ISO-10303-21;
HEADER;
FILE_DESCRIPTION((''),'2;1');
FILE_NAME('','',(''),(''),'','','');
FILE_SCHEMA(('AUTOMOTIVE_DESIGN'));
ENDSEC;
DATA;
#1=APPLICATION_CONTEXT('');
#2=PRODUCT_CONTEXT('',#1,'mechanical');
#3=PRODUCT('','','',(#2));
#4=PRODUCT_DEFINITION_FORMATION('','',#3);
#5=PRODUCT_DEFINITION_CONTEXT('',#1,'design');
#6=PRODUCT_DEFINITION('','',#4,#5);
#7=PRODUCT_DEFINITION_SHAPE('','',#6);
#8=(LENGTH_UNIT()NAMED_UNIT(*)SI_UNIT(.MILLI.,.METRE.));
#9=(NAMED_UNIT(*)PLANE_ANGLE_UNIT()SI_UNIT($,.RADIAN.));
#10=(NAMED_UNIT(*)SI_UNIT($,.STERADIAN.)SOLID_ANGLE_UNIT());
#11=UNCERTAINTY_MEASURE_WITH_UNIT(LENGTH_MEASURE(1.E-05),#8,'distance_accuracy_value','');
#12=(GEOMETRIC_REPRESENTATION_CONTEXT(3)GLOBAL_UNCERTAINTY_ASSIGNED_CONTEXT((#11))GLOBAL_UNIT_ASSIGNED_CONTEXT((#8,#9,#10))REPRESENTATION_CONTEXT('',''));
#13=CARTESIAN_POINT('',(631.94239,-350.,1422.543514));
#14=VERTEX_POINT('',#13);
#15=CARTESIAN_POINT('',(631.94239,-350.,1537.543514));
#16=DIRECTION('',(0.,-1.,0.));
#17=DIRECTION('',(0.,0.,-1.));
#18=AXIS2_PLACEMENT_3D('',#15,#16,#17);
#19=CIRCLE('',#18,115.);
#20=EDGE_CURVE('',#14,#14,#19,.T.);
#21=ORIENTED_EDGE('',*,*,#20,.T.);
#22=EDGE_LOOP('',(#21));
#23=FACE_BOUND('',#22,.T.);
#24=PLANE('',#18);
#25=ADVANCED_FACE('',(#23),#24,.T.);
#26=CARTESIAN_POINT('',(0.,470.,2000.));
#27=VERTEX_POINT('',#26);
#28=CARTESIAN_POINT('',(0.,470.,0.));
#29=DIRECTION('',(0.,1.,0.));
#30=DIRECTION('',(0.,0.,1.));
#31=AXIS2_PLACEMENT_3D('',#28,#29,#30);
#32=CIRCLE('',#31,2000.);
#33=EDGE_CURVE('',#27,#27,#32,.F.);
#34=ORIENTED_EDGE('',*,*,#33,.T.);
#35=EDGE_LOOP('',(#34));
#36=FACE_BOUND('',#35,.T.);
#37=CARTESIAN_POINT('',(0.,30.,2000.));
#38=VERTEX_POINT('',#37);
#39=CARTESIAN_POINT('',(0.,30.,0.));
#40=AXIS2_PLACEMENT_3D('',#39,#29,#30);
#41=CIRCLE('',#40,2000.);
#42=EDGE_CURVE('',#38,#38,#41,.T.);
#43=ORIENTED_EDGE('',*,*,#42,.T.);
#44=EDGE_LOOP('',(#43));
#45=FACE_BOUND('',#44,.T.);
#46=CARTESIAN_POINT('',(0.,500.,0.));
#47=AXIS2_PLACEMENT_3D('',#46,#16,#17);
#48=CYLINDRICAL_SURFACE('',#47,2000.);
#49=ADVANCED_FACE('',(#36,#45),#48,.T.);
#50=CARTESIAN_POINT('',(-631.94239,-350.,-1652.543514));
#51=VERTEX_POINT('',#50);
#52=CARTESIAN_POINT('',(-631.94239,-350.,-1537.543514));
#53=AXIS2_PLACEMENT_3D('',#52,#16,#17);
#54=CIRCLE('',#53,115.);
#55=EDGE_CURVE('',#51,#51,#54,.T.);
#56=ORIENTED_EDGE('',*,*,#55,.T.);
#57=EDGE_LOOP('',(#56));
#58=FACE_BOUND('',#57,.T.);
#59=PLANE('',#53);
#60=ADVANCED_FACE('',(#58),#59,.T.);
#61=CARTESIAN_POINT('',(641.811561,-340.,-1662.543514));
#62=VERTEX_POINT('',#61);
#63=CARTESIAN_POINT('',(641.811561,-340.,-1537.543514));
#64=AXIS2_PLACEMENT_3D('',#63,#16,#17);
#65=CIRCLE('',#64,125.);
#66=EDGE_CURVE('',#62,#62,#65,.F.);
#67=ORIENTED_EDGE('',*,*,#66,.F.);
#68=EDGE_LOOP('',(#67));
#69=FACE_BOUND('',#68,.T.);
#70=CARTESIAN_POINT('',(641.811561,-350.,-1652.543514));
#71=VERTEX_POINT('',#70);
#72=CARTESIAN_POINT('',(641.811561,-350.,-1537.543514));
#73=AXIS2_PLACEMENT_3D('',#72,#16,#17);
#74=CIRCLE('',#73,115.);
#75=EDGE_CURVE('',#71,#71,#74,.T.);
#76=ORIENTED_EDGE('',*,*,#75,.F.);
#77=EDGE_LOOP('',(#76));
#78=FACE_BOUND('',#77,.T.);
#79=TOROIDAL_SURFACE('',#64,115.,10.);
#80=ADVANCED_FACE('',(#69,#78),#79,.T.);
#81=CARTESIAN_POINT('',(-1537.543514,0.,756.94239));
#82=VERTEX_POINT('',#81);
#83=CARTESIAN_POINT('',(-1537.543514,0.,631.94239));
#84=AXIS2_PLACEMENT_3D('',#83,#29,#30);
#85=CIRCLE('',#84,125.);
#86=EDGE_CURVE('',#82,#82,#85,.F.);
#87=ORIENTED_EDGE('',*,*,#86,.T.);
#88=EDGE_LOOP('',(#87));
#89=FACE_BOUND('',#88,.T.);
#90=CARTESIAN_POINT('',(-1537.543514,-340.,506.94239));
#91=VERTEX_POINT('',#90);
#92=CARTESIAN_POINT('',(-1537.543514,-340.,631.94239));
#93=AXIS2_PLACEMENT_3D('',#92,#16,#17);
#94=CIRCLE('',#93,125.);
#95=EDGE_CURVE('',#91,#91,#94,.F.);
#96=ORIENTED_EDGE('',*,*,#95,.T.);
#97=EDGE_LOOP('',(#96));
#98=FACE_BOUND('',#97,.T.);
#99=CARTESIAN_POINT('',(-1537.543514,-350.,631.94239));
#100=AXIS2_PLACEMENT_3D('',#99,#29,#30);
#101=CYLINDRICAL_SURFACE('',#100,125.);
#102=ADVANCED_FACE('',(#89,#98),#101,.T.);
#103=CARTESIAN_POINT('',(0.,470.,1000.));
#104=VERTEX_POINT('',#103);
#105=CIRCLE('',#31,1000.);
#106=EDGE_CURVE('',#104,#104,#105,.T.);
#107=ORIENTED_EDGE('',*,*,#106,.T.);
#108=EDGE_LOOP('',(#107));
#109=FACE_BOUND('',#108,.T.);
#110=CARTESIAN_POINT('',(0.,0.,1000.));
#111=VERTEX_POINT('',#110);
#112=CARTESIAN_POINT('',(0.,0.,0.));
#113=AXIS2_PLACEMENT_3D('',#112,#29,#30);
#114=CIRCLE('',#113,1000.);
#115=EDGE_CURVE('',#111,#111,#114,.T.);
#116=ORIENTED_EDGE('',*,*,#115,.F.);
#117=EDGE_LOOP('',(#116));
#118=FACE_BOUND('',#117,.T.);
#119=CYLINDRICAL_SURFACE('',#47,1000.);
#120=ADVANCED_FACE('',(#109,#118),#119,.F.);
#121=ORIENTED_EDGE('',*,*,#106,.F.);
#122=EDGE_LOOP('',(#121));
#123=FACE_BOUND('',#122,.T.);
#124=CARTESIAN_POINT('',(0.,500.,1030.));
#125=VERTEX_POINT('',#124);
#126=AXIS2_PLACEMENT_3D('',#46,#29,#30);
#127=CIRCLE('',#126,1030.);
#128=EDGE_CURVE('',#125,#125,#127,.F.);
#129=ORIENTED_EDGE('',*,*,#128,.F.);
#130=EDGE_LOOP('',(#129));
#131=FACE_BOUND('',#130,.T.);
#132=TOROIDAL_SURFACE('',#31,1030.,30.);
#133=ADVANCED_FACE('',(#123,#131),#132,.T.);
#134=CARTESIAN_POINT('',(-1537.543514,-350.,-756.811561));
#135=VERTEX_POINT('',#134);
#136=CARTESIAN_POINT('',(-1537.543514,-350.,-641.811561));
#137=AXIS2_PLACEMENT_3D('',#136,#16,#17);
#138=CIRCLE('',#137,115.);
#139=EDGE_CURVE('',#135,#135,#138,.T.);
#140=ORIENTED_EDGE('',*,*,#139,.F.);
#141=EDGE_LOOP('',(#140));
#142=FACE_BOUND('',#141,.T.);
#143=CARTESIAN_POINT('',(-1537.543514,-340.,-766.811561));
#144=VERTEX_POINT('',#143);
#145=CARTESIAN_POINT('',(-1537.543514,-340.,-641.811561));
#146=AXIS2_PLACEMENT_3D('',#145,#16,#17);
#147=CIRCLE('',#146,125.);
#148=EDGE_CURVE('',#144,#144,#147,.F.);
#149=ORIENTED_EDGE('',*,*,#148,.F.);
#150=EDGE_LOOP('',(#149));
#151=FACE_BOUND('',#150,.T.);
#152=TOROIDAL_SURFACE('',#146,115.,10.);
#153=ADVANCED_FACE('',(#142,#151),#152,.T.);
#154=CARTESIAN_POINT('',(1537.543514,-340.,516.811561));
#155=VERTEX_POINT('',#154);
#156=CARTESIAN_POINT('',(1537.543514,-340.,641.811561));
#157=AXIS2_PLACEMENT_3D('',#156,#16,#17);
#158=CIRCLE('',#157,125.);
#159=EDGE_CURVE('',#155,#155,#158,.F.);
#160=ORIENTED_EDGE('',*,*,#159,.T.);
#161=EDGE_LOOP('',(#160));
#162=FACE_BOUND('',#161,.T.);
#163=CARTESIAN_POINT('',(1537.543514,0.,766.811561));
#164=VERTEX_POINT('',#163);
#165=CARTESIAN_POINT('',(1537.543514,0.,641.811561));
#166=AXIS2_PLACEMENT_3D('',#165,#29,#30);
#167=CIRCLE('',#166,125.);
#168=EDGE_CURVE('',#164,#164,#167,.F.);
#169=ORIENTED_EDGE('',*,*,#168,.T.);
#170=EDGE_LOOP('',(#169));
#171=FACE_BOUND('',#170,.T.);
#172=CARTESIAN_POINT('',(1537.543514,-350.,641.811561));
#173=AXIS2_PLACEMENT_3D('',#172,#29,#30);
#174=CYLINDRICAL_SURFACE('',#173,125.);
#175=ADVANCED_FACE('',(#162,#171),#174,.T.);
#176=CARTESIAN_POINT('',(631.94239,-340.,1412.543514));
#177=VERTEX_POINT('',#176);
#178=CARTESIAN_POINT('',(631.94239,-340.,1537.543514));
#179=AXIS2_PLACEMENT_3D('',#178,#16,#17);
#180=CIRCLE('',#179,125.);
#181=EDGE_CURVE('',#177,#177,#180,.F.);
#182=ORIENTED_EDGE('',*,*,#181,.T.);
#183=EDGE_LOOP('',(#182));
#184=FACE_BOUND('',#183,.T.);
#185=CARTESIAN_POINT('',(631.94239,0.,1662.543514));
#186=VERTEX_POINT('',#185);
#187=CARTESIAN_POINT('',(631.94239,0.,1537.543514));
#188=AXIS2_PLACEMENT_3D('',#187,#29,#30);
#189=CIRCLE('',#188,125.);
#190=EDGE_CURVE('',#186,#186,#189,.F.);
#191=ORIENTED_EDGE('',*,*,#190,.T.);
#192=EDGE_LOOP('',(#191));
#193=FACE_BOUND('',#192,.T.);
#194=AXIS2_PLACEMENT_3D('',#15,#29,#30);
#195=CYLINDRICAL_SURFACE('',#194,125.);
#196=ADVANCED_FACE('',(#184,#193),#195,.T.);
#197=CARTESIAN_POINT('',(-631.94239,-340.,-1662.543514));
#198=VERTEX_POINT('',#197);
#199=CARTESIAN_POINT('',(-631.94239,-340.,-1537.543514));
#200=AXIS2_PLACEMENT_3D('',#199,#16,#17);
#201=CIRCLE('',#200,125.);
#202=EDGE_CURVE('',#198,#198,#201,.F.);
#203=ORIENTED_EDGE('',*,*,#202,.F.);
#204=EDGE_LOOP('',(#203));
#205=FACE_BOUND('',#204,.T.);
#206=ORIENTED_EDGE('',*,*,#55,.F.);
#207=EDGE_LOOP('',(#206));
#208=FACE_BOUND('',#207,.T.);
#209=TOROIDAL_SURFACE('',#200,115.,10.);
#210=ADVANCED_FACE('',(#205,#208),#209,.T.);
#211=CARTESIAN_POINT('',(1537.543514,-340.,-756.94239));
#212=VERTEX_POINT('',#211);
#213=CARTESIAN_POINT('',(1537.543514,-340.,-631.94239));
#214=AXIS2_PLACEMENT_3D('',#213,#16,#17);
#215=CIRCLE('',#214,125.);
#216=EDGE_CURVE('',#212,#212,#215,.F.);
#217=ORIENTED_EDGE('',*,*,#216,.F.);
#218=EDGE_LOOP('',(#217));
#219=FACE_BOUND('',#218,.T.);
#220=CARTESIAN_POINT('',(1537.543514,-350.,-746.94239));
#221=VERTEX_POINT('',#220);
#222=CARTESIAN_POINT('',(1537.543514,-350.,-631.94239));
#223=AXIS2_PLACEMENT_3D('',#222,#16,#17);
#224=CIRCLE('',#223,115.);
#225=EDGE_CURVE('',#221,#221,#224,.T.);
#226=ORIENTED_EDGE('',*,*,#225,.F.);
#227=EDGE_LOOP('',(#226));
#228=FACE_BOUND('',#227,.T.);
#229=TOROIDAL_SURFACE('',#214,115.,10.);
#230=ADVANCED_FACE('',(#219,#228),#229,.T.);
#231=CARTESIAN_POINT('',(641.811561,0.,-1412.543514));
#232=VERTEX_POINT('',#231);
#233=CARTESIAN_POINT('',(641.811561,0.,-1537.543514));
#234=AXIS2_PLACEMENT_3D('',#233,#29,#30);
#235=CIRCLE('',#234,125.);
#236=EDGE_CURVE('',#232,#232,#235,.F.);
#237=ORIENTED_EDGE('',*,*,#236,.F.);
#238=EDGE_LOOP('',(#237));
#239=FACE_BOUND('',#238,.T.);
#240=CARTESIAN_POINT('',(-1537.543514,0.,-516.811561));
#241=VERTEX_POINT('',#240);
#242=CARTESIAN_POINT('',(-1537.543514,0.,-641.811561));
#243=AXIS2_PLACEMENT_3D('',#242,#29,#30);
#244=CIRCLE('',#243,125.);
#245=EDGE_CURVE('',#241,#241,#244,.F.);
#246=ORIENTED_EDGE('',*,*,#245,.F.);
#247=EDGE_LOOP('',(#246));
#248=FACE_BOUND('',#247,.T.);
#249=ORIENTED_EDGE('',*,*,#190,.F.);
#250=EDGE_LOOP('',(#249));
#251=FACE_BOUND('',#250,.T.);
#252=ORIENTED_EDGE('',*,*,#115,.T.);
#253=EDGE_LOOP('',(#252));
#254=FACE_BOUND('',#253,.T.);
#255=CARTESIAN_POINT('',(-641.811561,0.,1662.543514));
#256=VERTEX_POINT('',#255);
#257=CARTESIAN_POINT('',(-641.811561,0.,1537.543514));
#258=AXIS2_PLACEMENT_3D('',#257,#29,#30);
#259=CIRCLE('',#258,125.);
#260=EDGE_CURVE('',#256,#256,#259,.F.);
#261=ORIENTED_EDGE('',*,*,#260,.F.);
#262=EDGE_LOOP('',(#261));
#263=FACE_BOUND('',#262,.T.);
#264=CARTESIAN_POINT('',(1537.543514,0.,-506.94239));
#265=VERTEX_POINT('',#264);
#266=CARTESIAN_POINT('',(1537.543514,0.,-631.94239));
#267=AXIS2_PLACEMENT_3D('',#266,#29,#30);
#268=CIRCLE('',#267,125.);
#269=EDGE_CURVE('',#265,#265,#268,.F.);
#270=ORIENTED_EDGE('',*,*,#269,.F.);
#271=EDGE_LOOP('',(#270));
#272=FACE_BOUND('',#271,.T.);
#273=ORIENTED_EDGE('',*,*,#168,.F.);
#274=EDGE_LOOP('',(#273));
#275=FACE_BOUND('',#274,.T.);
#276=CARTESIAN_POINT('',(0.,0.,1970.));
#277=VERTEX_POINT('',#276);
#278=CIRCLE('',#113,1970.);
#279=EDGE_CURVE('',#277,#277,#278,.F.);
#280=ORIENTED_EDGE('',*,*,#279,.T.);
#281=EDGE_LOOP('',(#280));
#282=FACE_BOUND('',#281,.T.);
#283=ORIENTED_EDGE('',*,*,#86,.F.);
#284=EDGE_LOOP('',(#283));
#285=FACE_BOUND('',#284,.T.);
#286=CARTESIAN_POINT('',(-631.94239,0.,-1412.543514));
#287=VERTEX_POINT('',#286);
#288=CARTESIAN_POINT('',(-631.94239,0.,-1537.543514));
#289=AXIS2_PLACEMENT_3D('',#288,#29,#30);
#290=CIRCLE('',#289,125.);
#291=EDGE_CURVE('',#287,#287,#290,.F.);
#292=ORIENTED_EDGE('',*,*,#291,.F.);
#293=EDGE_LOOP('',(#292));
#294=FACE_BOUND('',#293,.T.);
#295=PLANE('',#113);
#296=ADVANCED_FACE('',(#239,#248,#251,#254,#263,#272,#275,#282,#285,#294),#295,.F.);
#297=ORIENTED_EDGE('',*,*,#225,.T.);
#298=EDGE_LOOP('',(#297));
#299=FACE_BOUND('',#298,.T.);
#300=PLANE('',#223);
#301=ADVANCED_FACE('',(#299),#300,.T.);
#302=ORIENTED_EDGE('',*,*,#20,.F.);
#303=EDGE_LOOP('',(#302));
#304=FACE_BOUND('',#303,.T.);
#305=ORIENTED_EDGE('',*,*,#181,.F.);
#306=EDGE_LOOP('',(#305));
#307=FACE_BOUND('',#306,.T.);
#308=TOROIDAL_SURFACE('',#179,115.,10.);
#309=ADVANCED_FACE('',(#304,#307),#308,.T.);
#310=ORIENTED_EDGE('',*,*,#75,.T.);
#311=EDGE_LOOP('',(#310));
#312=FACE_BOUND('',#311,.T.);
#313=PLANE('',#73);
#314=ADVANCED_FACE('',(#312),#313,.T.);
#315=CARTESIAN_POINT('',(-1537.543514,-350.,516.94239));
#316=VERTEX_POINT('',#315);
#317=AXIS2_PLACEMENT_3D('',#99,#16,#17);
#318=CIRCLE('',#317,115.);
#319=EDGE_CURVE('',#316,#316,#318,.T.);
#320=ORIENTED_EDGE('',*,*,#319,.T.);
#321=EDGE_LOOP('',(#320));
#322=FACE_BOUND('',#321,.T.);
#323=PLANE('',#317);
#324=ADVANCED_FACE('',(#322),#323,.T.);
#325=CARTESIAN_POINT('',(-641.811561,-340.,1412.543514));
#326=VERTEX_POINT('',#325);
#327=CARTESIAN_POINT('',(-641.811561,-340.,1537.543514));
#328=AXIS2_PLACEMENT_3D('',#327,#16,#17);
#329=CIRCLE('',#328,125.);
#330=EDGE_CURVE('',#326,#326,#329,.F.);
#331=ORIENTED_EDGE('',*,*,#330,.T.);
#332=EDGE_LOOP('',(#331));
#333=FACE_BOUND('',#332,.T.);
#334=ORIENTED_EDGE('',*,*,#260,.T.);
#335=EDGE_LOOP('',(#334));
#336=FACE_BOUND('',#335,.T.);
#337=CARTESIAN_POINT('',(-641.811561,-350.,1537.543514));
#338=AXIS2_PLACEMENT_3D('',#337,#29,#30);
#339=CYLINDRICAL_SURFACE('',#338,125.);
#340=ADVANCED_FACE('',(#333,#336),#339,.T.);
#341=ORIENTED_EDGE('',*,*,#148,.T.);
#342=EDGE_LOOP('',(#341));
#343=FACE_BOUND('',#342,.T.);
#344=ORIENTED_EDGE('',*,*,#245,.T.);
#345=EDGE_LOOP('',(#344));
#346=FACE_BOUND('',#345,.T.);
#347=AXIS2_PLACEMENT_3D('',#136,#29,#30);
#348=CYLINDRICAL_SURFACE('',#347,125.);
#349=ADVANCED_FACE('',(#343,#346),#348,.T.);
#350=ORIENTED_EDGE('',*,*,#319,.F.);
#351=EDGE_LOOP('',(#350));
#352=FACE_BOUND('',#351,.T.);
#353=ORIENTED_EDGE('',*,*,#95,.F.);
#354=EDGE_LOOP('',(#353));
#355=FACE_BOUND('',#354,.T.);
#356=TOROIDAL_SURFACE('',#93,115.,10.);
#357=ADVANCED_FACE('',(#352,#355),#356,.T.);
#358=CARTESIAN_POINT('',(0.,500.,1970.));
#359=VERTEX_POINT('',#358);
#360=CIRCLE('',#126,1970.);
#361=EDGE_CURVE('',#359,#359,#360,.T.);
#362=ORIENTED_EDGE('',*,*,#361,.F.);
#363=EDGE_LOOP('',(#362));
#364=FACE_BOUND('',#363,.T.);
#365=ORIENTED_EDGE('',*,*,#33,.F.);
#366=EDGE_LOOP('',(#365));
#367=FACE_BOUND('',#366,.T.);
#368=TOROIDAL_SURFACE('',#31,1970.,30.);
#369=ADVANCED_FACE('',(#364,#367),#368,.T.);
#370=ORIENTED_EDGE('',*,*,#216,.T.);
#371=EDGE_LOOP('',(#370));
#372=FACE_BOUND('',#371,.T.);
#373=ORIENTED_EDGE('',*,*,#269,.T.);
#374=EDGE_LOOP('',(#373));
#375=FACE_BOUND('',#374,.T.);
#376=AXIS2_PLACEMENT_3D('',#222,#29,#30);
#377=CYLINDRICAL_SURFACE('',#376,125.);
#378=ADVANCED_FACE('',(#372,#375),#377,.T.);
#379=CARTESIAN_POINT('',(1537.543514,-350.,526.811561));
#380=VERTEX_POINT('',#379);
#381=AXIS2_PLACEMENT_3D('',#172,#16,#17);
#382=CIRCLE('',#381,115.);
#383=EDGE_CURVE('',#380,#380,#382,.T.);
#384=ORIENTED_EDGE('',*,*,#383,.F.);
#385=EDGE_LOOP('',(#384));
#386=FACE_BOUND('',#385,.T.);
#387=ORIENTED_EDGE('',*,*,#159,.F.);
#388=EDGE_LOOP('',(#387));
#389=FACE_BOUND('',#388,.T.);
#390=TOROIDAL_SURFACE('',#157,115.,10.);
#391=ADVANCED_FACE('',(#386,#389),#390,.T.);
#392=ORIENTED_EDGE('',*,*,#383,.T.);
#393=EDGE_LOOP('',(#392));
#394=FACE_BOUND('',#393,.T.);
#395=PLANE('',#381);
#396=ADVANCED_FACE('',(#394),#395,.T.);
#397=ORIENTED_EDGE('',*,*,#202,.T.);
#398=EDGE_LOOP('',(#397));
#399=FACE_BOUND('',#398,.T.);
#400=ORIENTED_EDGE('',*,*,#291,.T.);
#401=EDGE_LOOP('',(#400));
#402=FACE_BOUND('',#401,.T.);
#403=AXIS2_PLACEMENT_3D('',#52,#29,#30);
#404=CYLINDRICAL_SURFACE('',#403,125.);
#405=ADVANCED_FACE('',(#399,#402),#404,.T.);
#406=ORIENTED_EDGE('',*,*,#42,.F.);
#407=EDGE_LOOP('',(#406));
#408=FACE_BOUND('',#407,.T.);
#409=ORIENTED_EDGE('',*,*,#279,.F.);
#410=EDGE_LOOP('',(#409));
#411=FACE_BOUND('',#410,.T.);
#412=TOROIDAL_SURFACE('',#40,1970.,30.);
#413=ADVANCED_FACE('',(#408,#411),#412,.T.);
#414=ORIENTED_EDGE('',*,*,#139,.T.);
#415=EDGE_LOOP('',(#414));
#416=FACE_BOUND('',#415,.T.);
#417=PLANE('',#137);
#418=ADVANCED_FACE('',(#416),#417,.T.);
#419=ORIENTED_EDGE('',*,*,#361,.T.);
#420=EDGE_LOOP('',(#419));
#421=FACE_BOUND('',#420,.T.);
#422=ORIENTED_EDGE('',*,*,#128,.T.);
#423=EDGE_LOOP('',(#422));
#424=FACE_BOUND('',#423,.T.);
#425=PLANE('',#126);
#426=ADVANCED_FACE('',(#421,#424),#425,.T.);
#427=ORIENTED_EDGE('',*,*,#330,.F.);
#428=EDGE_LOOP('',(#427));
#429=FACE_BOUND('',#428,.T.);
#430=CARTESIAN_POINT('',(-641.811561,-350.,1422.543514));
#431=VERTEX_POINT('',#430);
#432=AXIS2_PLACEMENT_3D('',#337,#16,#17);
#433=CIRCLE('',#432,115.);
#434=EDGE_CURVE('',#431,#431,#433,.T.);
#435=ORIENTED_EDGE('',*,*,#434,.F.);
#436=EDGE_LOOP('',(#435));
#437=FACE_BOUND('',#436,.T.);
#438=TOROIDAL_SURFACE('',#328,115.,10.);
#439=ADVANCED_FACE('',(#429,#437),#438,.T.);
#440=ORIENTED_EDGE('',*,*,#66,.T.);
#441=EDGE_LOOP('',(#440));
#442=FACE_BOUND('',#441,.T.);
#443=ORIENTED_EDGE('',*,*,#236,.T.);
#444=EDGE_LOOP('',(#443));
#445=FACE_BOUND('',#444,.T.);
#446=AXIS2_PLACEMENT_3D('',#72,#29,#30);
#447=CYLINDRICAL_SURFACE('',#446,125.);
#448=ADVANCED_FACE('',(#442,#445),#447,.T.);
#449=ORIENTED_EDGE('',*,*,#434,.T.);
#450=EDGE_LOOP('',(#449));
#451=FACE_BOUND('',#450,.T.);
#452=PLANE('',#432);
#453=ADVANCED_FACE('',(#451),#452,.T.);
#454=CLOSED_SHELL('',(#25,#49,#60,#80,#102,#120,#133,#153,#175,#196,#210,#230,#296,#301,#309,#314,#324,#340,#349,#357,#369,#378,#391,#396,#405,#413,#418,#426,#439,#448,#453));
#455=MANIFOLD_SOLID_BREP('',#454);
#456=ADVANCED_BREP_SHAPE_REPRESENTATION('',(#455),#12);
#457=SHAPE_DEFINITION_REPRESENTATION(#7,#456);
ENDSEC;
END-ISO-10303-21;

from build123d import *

# Parameters (mm, degrees)
SKETCH1_R           = 2000
SKETCH1_R_2         = 1000
SKETCH1_R_3         = 125
BOSS_EXTRUDE2_DEPTH = 500
SKETCH1_6_R         = 125
BOSS_EXTRUDE3_DEPTH = 500
SKETCH1_7_R         = 125
BOSS_EXTRUDE4_DEPTH = 500
SKETCH3_R           = 125
BOSS_EXTRUDE5_DEPTH = 350
FILLET1_R           = 30
FILLET2_R           = 10


with BuildPart() as part:
    # Sketch1 → Boss-Extrude2 (new body)
    with BuildSketch(Plane(origin=(0, 0, 0), x_dir=(1, 0, 0), z_dir=(0, 1, 0))):
        Circle(SKETCH1_R)
        Circle(SKETCH1_R_2, mode=Mode.SUBTRACT)
        with Locations((-641.811560674, -1537.543513897)):
            Circle(SKETCH1_R_3, mode=Mode.SUBTRACT)
        with Locations((631.942390176, -1537.543513897)):
            Circle(SKETCH1_R_3, mode=Mode.SUBTRACT)
    extrude(amount=BOSS_EXTRUDE2_DEPTH)

    # Sketch1<6> → Boss-Extrude3 (add)
    with BuildSketch(Plane(origin=(0, 0, 0), x_dir=(1, 0, 0), z_dir=(0, 1, 0))):
        with Locations((-641.811560674, -1537.543513897)):
            Circle(SKETCH1_6_R)
    extrude(amount=BOSS_EXTRUDE3_DEPTH)

    # Sketch1<7> → Boss-Extrude4 (add)
    with BuildSketch(Plane(origin=(0, 0, 0), x_dir=(1, 0, 0), z_dir=(0, 1, 0))):
        with Locations((631.942390176, -1537.543513897)):
            Circle(SKETCH1_7_R)
    extrude(amount=BOSS_EXTRUDE4_DEPTH)

    # Sketch3 → Boss-Extrude5 (add)
    with BuildSketch(Plane.XZ):
        with Locations((631.942390176, 1537.543513897)):
            Circle(SKETCH3_R)
        with Locations((-641.811560674, 1537.543513897)):
            Circle(SKETCH3_R)
        with Locations((1537.543513897, 641.811560674)):
            Circle(SKETCH3_R)
        with Locations((1537.543513897, -631.942390176)):
            Circle(SKETCH3_R)
        with Locations((641.811560674, -1537.543513897)):
            Circle(SKETCH3_R)
        with Locations((-631.942390176, -1537.543513897)):
            Circle(SKETCH3_R)
        with Locations((-1537.543513897, -641.811560674)):
            Circle(SKETCH3_R)
        with Locations((-1537.543513897, 631.942390176)):
            Circle(SKETCH3_R)
    extrude(amount=BOSS_EXTRUDE5_DEPTH)

    # Fillet1
    fillet1_edges = [part.edges().sort_by_distance(p)[0] for p in [
        (-2000, 0, 0),
        (-2000, 500, 0),
        (-1000, 500, 0),
    ]]
    fillet(fillet1_edges, radius=FILLET1_R)

    # Fillet2
    fillet2_edges = [part.edges().sort_by_distance(p)[0] for p in [
        (506.942390176, -350, 1537.543513897),
        (-766.811560674, -350, 1537.543513897),
        (1412.543513897, -350, -631.942390176),
        (1412.543513897, -350, 641.811560674),
        (-756.942390176, -350, -1537.543513897),
        (516.811560674, -350, -1537.543513897),
        (-1662.543513897, -350, 631.942390176),
        (-1662.543513897, -350, -641.811560674),
    ]]
    fillet(fillet2_edges, radius=FILLET2_R)


solid = part.part
